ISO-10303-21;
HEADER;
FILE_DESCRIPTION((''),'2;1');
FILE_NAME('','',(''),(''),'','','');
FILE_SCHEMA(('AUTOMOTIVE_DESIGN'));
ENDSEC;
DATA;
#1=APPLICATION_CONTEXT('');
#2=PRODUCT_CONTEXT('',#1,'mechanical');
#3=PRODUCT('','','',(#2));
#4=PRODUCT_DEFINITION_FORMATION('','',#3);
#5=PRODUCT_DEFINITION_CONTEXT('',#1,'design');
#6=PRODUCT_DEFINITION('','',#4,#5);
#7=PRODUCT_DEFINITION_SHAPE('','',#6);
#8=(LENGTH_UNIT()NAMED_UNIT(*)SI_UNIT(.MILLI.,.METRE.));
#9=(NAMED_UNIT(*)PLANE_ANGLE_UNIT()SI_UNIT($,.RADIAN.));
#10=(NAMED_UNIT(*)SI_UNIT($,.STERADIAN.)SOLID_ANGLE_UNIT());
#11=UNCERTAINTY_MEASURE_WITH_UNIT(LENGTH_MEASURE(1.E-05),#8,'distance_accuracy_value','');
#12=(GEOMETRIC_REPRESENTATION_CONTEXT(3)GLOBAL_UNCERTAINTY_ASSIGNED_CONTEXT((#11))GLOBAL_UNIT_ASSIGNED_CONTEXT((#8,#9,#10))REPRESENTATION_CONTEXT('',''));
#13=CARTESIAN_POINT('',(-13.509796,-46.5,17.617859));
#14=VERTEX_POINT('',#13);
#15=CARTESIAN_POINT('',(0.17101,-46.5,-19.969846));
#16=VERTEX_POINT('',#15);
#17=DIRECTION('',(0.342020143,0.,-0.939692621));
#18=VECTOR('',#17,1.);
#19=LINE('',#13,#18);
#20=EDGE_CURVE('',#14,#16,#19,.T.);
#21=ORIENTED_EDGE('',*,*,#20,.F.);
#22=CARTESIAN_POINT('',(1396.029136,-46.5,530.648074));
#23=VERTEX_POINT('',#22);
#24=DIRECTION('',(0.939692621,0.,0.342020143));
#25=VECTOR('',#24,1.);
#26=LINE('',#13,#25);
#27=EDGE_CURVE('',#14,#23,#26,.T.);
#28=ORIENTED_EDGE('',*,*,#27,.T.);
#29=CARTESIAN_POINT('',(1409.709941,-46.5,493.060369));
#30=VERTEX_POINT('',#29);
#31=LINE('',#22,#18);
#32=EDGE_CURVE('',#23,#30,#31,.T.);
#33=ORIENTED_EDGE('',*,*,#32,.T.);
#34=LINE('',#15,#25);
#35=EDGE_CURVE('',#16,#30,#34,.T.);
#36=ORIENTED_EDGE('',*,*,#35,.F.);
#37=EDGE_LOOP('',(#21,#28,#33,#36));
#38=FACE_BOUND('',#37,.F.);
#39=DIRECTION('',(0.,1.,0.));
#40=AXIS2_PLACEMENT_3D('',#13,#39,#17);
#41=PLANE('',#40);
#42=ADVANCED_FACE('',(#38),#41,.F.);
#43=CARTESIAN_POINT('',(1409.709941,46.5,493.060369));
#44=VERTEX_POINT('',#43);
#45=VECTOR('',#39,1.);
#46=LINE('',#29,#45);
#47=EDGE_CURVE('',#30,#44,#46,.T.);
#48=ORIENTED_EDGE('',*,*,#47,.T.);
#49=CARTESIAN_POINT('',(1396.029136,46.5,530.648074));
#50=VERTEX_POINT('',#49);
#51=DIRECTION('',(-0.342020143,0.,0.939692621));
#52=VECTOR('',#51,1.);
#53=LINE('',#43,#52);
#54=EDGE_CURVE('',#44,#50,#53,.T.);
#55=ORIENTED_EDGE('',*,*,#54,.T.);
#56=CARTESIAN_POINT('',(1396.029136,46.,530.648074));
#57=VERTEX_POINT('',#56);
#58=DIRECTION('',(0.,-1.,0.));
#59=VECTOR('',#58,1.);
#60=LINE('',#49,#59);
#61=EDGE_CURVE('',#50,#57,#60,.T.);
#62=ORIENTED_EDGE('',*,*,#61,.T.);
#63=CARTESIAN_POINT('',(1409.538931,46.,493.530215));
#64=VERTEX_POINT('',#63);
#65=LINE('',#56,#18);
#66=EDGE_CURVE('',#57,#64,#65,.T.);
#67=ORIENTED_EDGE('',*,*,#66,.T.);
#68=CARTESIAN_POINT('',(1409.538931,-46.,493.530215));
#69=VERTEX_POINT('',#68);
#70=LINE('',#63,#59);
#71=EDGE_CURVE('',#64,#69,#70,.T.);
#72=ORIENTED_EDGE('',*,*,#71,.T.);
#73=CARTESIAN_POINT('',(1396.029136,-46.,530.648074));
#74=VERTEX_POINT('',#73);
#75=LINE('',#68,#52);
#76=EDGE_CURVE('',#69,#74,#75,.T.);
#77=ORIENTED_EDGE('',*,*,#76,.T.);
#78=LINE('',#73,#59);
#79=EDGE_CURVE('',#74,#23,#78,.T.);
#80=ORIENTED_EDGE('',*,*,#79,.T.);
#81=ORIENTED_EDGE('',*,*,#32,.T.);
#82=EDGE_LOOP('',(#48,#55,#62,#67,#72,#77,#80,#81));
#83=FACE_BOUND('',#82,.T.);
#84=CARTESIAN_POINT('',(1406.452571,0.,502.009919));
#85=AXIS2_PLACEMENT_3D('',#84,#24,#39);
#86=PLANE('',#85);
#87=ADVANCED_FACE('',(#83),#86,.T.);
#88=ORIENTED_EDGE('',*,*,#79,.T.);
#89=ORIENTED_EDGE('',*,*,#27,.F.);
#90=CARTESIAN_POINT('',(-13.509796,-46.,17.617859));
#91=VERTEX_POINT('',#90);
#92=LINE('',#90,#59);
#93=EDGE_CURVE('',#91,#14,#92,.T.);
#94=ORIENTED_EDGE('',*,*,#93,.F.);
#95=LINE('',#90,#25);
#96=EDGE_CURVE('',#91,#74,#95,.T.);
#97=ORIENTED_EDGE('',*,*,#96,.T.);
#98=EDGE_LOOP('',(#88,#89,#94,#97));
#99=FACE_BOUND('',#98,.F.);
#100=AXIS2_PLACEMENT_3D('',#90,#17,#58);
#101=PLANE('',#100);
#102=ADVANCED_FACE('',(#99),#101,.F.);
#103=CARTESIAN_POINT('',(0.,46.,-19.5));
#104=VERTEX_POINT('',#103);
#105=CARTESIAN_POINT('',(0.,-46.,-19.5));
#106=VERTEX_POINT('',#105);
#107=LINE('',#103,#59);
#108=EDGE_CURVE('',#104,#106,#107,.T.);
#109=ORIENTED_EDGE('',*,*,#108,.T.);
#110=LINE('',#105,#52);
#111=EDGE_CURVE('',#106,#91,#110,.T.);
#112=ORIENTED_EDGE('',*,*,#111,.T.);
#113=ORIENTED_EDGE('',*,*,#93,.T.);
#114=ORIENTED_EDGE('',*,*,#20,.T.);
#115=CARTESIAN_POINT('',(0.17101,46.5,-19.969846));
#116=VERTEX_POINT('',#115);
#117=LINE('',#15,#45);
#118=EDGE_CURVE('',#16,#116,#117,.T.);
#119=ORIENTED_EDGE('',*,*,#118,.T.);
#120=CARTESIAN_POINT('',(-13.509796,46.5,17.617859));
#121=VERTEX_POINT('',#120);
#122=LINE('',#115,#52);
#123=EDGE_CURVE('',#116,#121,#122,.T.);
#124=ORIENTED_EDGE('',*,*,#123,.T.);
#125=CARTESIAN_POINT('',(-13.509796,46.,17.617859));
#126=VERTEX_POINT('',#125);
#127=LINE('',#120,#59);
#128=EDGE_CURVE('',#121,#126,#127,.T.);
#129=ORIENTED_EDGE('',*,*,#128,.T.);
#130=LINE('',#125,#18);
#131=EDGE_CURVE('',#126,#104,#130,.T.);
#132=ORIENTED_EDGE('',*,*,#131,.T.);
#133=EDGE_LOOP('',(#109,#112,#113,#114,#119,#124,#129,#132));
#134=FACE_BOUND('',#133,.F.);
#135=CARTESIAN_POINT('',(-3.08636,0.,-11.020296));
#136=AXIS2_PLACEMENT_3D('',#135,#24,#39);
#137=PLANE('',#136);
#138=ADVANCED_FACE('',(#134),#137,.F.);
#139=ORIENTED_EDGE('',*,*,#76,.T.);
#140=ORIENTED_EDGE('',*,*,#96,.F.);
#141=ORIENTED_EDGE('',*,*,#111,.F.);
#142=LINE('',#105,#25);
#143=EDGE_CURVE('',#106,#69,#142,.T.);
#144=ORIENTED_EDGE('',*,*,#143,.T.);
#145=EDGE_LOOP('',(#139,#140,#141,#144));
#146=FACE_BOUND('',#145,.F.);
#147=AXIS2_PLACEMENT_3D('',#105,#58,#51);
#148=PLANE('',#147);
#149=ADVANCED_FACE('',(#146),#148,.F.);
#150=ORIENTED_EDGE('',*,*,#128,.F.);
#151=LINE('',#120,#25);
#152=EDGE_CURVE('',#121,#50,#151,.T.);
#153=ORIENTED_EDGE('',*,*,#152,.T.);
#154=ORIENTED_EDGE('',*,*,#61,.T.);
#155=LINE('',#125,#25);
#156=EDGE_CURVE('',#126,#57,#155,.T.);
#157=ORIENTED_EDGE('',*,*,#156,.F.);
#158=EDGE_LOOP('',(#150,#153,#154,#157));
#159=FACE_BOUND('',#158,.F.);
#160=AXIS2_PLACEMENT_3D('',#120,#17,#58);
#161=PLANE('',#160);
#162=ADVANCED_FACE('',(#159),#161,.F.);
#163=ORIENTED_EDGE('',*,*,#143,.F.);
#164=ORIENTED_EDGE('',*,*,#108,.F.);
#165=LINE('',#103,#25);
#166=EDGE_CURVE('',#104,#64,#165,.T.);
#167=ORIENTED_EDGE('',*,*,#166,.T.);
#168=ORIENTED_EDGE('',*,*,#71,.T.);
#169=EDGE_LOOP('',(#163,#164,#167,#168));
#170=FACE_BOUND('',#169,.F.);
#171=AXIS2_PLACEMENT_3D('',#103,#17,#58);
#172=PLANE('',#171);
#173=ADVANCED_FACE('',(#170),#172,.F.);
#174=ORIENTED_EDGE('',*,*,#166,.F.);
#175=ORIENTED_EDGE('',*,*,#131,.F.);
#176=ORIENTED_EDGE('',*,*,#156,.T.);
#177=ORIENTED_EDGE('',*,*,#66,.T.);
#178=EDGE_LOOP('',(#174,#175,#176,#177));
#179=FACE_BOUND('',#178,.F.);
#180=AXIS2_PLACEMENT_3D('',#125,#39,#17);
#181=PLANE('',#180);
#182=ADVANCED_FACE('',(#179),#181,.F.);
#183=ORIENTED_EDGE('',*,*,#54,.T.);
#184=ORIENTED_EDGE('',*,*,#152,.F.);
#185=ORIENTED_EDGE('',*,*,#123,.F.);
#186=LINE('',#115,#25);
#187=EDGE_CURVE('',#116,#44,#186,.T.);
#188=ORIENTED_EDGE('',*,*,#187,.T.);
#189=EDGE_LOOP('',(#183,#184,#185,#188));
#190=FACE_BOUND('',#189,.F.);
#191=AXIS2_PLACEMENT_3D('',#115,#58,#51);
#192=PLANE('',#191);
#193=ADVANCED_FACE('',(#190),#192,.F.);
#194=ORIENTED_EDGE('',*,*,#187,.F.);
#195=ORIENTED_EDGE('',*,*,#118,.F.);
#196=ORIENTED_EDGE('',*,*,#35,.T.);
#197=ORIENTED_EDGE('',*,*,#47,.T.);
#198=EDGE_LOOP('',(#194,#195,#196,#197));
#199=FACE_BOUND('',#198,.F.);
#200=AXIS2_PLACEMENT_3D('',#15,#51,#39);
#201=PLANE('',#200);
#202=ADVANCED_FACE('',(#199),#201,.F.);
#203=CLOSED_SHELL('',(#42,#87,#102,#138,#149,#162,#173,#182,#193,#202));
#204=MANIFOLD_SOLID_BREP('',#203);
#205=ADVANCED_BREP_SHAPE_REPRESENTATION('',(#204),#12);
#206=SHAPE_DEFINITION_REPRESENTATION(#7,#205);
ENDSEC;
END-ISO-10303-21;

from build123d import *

# Parameters (mm, degrees)
F1_DEPTH = 1500
F2_ANGLE = 20


with BuildPart() as f1:
    # F0 (on Right) → F1 (new body)
    with BuildSketch(Plane.YZ):
        Polygon((46.5, -20), (46.5, 20), (46, 20), (46, 19.5), (46, -19.5), (-46, -19.5), (-46, 19.5), (-46, 20), (-46.5, 20), (-46.5, -20), align=None)
    extrude(amount=F1_DEPTH)


with BuildPart() as f1_1:
    # F2: moved
    add(f1.part.rotate(Axis((0, 0, -19.5), (0, -1, 0)), F2_ANGLE))


solid = f1_1.part
